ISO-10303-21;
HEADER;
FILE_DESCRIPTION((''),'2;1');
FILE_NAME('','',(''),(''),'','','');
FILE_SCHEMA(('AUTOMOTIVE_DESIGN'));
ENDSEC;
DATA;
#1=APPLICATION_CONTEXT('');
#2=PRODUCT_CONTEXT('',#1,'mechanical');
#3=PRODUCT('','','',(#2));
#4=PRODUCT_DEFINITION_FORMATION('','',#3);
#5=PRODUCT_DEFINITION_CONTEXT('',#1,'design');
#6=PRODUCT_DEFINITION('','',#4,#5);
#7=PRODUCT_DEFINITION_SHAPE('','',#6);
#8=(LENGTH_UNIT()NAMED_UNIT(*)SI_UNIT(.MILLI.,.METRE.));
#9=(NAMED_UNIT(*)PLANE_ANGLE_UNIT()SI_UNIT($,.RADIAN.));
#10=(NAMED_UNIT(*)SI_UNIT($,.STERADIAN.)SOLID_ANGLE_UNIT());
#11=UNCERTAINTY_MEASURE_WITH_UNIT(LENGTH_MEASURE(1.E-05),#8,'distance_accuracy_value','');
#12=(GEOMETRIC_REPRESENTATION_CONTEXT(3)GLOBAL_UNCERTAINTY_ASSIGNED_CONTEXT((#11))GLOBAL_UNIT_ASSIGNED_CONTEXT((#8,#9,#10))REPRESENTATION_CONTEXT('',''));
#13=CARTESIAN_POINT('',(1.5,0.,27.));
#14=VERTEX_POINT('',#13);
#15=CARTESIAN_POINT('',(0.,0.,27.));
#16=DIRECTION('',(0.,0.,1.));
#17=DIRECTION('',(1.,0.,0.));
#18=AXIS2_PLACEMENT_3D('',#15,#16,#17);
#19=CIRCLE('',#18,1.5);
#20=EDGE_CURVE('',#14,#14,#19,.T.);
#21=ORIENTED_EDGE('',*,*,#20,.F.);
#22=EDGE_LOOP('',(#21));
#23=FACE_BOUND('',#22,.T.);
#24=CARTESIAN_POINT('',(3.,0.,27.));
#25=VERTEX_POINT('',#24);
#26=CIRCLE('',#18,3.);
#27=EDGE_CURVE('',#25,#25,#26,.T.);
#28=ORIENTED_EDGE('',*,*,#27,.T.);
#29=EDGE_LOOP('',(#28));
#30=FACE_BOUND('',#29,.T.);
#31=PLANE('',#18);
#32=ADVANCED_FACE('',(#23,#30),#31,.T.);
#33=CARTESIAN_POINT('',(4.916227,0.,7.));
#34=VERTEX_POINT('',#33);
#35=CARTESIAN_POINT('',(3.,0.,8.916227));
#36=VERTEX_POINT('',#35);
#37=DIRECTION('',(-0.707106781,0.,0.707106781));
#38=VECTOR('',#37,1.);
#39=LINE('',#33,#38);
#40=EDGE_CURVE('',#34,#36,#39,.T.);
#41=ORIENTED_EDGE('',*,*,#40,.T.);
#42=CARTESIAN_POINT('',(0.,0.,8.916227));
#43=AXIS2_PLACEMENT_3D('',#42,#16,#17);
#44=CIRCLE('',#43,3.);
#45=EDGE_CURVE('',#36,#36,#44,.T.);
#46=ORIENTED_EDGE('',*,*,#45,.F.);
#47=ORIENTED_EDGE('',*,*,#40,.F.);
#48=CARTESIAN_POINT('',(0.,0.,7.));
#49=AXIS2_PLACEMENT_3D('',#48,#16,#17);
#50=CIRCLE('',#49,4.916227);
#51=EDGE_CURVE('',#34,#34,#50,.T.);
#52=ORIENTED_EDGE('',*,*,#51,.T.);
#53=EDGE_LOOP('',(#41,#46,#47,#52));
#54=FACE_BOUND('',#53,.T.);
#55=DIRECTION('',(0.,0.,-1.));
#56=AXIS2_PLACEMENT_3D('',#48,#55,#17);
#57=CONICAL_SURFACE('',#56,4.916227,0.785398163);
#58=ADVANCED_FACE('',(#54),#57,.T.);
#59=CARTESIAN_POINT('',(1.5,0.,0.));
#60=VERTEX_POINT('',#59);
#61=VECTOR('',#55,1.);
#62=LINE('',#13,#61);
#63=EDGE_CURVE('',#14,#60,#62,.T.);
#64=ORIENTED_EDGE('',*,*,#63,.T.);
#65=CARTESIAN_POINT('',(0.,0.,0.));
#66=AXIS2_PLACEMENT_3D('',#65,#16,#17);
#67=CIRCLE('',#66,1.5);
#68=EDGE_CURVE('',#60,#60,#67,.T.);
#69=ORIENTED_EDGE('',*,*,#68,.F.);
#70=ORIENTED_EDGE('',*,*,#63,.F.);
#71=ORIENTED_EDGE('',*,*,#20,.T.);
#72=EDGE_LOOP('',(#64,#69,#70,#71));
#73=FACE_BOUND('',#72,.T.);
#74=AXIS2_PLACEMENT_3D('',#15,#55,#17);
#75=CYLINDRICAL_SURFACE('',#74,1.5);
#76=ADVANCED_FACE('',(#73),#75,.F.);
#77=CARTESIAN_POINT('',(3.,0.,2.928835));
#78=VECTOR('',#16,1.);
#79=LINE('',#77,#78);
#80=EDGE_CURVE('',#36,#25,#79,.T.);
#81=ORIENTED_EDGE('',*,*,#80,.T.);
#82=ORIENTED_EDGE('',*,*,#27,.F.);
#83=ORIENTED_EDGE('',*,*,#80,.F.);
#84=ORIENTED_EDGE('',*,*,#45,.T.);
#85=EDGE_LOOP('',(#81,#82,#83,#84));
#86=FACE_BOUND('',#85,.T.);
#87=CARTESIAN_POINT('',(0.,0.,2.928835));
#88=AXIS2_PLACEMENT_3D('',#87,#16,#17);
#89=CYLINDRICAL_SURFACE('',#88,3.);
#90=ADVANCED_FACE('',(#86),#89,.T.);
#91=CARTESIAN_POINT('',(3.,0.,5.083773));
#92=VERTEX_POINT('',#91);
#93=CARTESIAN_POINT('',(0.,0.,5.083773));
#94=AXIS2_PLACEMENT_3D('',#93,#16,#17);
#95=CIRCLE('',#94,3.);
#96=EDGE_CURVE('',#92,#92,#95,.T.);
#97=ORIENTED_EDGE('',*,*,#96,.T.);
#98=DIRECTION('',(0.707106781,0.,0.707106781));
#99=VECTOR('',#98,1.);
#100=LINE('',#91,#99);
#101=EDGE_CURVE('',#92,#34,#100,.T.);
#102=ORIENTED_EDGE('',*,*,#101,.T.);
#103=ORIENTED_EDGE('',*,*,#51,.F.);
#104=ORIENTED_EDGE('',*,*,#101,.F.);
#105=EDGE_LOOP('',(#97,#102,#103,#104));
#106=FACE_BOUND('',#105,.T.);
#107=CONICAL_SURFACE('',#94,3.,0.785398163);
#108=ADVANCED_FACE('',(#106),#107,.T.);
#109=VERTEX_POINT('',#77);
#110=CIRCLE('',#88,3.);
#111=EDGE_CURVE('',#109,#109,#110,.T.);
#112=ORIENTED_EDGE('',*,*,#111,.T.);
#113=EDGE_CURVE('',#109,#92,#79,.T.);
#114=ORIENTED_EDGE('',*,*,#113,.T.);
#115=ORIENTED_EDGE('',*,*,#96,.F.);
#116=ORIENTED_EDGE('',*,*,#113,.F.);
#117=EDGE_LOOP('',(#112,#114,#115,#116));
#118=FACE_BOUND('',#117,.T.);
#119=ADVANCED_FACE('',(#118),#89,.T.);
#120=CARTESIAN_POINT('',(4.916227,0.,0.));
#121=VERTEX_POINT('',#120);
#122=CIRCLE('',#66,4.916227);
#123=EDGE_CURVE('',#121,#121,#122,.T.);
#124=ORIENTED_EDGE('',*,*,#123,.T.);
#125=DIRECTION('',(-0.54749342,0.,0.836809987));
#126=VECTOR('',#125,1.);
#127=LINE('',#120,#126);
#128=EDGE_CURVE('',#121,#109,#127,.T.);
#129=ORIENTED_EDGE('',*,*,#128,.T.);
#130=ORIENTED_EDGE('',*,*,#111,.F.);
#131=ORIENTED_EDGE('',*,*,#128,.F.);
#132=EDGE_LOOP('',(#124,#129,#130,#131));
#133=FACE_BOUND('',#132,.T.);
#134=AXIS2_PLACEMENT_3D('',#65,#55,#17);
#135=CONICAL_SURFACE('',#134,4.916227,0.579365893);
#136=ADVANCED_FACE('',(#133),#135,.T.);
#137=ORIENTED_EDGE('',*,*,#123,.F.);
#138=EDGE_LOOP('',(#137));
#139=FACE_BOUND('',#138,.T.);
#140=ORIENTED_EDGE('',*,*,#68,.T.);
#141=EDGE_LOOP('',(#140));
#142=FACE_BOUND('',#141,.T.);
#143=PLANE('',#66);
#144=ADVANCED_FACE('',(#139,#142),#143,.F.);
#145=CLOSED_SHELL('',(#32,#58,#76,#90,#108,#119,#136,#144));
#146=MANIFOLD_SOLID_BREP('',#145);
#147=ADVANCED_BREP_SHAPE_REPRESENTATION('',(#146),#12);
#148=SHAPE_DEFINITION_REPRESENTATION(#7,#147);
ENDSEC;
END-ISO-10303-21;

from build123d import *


with BuildPart() as f1:
    # F0 (on Front) → F1 (revolve)
    with BuildSketch(Plane.XZ):
        Polygon((3, 27), (1.5, 27), (1.5, 0), (4.916227, 0), (3, 2.928835), (3, 5.083773), (3, 8.916227), align=None)
        Polygon((4.916227, 7), (3, 8.916227), (3, 5.083773), align=None)
    revolve(axis=Axis((0, 0, 11), (0, 0, 1)))


solid = f1.part
